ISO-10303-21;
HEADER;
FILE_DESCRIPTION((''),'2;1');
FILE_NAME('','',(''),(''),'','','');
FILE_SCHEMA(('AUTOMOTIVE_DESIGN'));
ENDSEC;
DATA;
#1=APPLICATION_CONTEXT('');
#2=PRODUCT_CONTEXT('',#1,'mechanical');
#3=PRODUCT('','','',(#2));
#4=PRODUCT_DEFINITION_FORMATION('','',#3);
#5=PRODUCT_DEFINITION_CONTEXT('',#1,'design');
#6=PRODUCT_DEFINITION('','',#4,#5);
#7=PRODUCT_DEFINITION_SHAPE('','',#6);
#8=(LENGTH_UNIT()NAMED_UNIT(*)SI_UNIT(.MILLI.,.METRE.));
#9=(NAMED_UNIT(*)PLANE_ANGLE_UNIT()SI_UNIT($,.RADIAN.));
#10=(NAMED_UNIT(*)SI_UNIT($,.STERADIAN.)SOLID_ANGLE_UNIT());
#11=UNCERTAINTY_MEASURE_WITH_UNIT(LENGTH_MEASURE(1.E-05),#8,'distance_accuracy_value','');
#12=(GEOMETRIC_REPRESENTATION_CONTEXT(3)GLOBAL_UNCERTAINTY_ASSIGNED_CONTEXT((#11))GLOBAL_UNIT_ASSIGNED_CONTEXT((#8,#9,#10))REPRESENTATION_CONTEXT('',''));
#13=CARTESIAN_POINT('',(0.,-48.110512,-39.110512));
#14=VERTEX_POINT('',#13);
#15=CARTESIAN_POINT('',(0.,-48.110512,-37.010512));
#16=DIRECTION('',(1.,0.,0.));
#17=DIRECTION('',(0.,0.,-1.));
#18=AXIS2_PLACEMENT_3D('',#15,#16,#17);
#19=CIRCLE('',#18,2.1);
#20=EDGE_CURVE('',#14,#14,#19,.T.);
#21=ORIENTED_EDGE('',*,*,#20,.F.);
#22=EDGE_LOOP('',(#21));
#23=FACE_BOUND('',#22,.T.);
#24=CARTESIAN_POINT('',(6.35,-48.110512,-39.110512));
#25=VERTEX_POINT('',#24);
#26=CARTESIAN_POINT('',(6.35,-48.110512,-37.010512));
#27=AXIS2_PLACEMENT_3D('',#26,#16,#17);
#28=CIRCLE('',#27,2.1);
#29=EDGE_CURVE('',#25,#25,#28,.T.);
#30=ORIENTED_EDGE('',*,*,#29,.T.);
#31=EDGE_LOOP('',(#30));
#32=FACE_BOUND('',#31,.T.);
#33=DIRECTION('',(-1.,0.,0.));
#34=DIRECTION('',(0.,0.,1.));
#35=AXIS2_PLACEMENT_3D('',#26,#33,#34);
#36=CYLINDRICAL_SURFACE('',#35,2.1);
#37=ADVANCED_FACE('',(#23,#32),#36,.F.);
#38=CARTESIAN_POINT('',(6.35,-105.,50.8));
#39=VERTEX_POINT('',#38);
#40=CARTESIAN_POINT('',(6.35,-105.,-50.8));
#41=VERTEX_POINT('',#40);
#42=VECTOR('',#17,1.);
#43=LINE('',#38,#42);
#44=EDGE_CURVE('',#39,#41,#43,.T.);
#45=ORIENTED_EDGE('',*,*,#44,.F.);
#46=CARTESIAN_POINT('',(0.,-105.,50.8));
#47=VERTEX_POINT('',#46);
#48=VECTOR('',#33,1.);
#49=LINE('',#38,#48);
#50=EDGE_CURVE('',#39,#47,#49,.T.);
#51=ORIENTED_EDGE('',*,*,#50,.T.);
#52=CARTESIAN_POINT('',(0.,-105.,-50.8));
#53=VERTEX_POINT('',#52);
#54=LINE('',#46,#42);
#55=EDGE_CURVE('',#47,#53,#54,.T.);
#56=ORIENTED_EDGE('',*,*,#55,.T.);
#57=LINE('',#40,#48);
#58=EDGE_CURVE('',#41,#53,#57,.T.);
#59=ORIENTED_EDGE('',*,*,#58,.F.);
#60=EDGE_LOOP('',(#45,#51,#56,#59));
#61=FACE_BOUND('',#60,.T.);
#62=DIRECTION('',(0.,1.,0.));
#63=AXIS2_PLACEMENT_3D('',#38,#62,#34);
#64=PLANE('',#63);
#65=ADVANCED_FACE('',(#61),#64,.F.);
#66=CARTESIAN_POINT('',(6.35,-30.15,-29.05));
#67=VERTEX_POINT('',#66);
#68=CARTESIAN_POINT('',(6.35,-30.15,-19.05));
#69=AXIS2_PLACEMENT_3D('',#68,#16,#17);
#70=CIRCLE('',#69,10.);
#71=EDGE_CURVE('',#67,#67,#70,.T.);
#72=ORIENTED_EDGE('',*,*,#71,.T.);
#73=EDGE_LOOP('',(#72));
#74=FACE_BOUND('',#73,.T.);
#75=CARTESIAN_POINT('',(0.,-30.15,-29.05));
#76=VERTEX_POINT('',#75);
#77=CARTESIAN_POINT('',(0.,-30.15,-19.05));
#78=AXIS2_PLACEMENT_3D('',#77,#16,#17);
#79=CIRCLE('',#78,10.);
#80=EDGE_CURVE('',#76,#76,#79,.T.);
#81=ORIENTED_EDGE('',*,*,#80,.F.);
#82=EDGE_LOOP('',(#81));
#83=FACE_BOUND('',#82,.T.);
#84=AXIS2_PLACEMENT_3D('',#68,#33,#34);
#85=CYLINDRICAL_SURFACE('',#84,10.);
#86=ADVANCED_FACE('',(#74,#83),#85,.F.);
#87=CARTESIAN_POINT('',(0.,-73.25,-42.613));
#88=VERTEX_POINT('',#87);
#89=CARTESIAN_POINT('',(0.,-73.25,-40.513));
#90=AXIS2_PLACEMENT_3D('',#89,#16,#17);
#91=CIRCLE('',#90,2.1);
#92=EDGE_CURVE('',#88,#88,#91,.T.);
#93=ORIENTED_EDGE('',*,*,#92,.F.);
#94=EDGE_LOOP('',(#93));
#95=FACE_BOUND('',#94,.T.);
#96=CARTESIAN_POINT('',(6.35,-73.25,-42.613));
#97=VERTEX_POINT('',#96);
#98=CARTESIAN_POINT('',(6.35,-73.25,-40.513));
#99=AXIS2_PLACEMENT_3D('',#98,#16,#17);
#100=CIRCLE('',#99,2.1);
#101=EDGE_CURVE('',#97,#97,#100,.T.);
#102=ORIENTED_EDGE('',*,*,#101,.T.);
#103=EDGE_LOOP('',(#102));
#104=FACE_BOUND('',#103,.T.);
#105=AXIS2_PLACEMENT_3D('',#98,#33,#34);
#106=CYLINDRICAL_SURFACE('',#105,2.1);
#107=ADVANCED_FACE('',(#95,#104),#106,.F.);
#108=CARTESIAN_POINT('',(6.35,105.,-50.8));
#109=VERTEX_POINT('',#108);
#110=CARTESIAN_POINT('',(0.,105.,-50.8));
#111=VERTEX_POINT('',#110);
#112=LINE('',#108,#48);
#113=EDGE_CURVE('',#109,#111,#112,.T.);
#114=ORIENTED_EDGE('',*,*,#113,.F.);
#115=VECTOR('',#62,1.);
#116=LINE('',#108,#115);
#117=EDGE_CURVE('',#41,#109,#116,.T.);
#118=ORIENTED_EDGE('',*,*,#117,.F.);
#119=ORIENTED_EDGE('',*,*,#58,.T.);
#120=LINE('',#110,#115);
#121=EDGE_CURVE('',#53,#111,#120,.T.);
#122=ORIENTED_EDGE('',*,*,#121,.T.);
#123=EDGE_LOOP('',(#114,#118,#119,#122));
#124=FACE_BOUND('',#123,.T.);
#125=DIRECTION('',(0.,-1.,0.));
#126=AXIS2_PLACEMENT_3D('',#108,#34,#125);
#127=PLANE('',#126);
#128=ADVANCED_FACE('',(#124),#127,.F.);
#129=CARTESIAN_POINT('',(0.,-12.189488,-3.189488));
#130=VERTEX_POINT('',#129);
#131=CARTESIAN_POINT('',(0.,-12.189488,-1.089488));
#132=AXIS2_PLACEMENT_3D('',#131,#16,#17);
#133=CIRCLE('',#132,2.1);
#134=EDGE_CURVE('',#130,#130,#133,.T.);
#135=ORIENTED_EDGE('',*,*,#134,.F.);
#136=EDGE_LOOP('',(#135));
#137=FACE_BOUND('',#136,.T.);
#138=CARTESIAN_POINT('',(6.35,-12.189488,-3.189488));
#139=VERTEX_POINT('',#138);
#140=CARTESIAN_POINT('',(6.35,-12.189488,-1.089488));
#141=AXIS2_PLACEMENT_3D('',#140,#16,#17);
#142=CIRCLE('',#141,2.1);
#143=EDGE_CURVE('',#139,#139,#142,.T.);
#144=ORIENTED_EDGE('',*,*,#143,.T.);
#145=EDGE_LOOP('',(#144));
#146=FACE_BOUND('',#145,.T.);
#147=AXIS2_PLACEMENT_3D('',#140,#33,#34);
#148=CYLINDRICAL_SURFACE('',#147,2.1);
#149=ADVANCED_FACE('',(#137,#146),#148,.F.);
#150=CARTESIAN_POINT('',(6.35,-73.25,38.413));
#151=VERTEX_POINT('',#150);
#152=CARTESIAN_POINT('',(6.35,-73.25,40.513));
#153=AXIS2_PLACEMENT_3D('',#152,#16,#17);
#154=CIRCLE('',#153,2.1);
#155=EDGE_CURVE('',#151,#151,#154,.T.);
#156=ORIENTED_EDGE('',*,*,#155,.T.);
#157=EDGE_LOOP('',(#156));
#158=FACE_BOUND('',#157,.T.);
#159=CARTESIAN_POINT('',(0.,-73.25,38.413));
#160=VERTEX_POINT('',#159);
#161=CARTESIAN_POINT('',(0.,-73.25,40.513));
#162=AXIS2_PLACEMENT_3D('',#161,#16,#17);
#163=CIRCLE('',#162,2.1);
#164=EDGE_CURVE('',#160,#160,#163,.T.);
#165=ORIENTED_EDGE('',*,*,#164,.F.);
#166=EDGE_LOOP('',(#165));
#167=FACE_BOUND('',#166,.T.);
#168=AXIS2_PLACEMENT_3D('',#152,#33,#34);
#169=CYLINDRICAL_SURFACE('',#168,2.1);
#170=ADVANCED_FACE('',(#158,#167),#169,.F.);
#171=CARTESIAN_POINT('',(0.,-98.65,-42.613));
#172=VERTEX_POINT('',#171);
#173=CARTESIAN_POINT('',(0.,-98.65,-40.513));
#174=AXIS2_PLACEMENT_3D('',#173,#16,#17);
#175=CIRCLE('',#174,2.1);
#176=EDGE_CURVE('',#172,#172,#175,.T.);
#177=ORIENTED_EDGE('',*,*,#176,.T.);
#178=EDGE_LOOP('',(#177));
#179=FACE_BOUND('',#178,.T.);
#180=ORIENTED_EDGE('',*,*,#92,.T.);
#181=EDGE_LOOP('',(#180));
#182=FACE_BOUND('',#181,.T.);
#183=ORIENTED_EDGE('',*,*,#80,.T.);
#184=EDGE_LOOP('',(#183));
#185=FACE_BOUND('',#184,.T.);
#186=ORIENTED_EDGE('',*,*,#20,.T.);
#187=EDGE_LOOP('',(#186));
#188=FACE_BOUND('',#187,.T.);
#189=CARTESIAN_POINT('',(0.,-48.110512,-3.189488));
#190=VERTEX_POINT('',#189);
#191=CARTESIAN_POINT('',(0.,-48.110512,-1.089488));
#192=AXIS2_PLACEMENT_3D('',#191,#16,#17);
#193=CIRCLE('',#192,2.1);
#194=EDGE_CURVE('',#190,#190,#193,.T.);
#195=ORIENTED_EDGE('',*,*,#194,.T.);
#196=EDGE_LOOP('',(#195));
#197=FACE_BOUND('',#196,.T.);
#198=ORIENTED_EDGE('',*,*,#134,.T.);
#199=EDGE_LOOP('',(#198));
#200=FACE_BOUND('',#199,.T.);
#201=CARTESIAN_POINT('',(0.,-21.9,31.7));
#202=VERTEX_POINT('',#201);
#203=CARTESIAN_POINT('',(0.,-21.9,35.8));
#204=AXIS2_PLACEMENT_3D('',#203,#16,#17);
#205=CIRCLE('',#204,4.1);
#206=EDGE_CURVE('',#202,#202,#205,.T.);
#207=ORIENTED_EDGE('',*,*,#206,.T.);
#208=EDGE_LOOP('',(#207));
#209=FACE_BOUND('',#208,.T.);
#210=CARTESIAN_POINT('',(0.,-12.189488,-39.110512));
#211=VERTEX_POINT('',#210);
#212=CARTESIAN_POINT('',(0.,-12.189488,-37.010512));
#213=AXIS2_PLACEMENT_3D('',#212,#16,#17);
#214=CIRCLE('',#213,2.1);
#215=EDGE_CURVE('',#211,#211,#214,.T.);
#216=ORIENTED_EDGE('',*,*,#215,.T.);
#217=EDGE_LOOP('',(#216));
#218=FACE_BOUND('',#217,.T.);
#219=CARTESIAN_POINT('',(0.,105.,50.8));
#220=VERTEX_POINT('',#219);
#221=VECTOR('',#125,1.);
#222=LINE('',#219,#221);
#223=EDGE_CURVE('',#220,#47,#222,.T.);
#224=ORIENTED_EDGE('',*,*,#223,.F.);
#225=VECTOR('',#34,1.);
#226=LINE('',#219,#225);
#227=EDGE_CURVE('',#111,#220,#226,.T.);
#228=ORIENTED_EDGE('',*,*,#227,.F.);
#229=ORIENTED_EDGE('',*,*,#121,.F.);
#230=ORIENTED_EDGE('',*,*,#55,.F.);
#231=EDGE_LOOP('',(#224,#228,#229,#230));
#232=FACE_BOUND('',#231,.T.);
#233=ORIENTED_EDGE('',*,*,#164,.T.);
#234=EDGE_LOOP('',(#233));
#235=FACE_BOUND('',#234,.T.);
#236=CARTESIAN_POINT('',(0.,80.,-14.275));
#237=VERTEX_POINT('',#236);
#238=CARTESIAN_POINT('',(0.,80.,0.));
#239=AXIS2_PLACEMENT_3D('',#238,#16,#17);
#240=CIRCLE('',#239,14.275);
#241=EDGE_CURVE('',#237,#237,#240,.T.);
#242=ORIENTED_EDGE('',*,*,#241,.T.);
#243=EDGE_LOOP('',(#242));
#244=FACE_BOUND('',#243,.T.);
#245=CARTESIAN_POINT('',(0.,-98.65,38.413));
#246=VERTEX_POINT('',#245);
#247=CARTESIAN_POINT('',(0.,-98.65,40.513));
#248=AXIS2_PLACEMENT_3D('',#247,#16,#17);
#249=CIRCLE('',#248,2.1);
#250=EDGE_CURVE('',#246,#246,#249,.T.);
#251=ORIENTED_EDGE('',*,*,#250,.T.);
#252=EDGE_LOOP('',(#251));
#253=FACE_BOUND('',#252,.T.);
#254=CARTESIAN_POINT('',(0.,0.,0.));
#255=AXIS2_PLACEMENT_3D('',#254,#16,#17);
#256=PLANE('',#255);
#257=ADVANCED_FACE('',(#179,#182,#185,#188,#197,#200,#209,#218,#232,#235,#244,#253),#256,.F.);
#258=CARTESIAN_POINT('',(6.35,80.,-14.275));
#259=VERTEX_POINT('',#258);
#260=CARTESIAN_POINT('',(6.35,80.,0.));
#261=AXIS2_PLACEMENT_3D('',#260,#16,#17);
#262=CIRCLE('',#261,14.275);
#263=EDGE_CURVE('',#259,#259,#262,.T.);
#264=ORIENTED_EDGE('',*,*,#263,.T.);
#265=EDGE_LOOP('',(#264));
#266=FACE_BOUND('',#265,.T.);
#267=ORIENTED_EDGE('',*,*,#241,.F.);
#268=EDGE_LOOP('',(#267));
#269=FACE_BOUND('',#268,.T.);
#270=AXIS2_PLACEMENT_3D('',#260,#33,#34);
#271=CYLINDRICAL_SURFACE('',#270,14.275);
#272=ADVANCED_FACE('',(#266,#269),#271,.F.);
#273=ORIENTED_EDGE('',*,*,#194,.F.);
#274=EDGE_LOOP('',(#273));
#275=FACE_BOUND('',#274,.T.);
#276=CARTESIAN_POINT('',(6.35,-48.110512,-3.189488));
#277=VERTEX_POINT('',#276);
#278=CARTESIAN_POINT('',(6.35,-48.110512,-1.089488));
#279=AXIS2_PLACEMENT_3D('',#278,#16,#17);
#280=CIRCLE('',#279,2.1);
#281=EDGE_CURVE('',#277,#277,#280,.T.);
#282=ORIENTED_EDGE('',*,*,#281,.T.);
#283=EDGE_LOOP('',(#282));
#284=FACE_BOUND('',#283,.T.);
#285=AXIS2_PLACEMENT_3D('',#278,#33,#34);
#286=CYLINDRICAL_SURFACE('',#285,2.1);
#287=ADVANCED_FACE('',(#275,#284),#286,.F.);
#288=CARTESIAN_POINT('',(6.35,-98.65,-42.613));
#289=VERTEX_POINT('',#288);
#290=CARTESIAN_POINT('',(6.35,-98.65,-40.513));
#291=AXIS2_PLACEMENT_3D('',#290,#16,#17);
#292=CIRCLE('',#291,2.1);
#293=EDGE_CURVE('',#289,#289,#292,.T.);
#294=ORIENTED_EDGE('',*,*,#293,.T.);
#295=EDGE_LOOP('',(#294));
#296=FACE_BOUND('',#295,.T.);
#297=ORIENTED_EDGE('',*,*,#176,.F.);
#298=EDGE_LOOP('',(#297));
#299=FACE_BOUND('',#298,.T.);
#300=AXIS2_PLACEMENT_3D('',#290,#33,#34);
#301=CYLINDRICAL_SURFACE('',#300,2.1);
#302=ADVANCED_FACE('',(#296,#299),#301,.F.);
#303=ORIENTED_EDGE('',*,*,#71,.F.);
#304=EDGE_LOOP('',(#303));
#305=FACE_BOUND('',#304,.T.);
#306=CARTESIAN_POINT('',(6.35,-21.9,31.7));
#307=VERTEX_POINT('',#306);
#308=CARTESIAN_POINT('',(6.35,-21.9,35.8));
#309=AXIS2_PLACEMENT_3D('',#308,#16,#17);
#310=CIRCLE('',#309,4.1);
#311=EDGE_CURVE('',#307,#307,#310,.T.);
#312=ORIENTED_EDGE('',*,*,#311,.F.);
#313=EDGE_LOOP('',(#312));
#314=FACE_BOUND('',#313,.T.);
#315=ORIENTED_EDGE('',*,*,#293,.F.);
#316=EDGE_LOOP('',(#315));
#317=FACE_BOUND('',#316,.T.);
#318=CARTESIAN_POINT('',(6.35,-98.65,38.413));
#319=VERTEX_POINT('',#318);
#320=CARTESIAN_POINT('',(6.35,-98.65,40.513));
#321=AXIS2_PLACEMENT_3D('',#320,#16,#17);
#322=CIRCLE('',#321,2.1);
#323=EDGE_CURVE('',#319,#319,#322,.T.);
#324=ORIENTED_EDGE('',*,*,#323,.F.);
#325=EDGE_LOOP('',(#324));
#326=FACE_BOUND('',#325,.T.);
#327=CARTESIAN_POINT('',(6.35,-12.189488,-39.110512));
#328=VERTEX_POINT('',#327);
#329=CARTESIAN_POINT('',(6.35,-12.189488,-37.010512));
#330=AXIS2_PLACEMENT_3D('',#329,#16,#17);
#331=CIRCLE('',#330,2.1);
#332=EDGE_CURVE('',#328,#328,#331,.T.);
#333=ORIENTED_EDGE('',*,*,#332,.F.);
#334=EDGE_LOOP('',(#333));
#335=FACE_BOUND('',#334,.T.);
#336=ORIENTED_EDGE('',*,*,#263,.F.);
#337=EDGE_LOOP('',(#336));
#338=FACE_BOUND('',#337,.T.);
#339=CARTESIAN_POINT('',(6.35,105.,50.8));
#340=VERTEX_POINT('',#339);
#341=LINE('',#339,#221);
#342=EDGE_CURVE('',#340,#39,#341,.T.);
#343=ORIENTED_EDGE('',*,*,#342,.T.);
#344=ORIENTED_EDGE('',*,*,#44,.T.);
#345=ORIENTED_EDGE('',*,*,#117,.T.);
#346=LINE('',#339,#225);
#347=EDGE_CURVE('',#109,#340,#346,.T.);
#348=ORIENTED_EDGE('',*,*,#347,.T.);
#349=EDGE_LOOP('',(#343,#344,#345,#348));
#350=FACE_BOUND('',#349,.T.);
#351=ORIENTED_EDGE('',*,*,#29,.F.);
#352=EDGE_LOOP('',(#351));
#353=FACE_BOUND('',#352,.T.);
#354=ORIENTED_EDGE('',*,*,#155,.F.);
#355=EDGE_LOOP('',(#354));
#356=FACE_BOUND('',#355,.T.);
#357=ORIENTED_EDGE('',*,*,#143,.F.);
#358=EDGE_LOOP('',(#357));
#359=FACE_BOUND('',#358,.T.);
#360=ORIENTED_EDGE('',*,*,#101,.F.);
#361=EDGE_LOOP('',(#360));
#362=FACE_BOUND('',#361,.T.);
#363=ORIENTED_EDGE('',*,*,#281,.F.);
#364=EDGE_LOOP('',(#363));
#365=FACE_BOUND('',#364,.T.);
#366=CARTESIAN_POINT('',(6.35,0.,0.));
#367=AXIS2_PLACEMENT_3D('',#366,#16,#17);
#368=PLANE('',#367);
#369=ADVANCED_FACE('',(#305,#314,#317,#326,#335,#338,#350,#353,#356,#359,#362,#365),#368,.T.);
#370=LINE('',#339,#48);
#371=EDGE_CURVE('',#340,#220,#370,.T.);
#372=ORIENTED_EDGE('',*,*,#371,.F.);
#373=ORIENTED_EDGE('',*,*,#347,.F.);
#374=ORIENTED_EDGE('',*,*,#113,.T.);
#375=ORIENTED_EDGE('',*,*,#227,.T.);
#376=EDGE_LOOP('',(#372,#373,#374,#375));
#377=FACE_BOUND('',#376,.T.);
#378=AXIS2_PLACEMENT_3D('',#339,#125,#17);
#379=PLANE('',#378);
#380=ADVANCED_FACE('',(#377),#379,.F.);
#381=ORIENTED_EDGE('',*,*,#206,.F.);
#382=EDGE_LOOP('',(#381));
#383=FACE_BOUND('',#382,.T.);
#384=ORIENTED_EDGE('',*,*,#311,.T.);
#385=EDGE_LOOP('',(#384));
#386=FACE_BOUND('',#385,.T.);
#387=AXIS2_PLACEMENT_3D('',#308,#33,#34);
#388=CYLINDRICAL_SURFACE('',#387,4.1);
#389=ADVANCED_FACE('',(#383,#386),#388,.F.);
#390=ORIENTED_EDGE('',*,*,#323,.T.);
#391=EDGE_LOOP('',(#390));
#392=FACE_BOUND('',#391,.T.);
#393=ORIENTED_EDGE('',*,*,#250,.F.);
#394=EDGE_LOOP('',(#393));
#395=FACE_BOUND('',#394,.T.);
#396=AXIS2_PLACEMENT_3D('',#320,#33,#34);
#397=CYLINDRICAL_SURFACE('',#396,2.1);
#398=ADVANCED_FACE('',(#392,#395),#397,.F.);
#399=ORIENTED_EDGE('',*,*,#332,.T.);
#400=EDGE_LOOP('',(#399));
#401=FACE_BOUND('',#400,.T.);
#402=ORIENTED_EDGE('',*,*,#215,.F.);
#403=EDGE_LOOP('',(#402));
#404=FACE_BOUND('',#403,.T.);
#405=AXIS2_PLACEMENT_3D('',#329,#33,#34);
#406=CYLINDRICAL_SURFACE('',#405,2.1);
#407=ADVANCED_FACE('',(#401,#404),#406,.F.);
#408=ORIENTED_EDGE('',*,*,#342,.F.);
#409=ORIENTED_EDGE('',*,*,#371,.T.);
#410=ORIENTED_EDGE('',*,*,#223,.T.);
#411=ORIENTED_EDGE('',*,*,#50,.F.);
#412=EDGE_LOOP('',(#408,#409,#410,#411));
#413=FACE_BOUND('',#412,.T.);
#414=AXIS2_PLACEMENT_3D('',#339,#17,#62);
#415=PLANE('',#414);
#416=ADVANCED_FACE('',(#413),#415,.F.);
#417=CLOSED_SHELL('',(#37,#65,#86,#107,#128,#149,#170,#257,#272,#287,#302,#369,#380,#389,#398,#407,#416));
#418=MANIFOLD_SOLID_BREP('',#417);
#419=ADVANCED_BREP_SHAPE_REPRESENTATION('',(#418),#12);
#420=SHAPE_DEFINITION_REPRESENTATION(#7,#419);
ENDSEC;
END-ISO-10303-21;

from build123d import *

# Parameters (mm, degrees)
SKETCH1_W           = 101.6
SKETCH1_H           = 210
SKETCH1_R           = 2.1
SKETCH1_R_2         = 10
SKETCH1_R_3         = 4.1
SKETCH1_R_4         = 14.275
BOSS_EXTRUDE1_DEPTH = 6.35


with BuildPart() as part:
    # Sketch1 → Boss-Extrude1 (new body)
    with BuildSketch(Plane(origin=(0, 0, 0), x_dir=(0, 0, -1), z_dir=(1, 0, 0))):
        Rectangle(SKETCH1_W, SKETCH1_H)
        with Locations((-40.513, -98.65)):
            Circle(SKETCH1_R, mode=Mode.SUBTRACT)
        with Locations((40.513, -98.65)):
            Circle(SKETCH1_R, mode=Mode.SUBTRACT)
        with Locations((19.05, -30.15)):
            Circle(SKETCH1_R_2, mode=Mode.SUBTRACT)
        with Locations((37.010512242, -12.189487758)):
            Circle(SKETCH1_R, mode=Mode.SUBTRACT)
        with Locations((1.089487758, -48.110512242)):
            Circle(SKETCH1_R, mode=Mode.SUBTRACT)
        with Locations((1.089487758, -12.189487758)):
            Circle(SKETCH1_R, mode=Mode.SUBTRACT)
        with Locations((37.010512242, -48.110512242)):
            Circle(SKETCH1_R, mode=Mode.SUBTRACT)
        with Locations((-35.8, -21.9)):
            Circle(SKETCH1_R_3, mode=Mode.SUBTRACT)
        with Locations((0, 80)):
            Circle(SKETCH1_R_4, mode=Mode.SUBTRACT)
        with Locations((-40.513, -73.25)):
            Circle(SKETCH1_R, mode=Mode.SUBTRACT)
        with Locations((40.513, -73.25)):
            Circle(SKETCH1_R, mode=Mode.SUBTRACT)
    extrude(amount=BOSS_EXTRUDE1_DEPTH)


solid = part.part
